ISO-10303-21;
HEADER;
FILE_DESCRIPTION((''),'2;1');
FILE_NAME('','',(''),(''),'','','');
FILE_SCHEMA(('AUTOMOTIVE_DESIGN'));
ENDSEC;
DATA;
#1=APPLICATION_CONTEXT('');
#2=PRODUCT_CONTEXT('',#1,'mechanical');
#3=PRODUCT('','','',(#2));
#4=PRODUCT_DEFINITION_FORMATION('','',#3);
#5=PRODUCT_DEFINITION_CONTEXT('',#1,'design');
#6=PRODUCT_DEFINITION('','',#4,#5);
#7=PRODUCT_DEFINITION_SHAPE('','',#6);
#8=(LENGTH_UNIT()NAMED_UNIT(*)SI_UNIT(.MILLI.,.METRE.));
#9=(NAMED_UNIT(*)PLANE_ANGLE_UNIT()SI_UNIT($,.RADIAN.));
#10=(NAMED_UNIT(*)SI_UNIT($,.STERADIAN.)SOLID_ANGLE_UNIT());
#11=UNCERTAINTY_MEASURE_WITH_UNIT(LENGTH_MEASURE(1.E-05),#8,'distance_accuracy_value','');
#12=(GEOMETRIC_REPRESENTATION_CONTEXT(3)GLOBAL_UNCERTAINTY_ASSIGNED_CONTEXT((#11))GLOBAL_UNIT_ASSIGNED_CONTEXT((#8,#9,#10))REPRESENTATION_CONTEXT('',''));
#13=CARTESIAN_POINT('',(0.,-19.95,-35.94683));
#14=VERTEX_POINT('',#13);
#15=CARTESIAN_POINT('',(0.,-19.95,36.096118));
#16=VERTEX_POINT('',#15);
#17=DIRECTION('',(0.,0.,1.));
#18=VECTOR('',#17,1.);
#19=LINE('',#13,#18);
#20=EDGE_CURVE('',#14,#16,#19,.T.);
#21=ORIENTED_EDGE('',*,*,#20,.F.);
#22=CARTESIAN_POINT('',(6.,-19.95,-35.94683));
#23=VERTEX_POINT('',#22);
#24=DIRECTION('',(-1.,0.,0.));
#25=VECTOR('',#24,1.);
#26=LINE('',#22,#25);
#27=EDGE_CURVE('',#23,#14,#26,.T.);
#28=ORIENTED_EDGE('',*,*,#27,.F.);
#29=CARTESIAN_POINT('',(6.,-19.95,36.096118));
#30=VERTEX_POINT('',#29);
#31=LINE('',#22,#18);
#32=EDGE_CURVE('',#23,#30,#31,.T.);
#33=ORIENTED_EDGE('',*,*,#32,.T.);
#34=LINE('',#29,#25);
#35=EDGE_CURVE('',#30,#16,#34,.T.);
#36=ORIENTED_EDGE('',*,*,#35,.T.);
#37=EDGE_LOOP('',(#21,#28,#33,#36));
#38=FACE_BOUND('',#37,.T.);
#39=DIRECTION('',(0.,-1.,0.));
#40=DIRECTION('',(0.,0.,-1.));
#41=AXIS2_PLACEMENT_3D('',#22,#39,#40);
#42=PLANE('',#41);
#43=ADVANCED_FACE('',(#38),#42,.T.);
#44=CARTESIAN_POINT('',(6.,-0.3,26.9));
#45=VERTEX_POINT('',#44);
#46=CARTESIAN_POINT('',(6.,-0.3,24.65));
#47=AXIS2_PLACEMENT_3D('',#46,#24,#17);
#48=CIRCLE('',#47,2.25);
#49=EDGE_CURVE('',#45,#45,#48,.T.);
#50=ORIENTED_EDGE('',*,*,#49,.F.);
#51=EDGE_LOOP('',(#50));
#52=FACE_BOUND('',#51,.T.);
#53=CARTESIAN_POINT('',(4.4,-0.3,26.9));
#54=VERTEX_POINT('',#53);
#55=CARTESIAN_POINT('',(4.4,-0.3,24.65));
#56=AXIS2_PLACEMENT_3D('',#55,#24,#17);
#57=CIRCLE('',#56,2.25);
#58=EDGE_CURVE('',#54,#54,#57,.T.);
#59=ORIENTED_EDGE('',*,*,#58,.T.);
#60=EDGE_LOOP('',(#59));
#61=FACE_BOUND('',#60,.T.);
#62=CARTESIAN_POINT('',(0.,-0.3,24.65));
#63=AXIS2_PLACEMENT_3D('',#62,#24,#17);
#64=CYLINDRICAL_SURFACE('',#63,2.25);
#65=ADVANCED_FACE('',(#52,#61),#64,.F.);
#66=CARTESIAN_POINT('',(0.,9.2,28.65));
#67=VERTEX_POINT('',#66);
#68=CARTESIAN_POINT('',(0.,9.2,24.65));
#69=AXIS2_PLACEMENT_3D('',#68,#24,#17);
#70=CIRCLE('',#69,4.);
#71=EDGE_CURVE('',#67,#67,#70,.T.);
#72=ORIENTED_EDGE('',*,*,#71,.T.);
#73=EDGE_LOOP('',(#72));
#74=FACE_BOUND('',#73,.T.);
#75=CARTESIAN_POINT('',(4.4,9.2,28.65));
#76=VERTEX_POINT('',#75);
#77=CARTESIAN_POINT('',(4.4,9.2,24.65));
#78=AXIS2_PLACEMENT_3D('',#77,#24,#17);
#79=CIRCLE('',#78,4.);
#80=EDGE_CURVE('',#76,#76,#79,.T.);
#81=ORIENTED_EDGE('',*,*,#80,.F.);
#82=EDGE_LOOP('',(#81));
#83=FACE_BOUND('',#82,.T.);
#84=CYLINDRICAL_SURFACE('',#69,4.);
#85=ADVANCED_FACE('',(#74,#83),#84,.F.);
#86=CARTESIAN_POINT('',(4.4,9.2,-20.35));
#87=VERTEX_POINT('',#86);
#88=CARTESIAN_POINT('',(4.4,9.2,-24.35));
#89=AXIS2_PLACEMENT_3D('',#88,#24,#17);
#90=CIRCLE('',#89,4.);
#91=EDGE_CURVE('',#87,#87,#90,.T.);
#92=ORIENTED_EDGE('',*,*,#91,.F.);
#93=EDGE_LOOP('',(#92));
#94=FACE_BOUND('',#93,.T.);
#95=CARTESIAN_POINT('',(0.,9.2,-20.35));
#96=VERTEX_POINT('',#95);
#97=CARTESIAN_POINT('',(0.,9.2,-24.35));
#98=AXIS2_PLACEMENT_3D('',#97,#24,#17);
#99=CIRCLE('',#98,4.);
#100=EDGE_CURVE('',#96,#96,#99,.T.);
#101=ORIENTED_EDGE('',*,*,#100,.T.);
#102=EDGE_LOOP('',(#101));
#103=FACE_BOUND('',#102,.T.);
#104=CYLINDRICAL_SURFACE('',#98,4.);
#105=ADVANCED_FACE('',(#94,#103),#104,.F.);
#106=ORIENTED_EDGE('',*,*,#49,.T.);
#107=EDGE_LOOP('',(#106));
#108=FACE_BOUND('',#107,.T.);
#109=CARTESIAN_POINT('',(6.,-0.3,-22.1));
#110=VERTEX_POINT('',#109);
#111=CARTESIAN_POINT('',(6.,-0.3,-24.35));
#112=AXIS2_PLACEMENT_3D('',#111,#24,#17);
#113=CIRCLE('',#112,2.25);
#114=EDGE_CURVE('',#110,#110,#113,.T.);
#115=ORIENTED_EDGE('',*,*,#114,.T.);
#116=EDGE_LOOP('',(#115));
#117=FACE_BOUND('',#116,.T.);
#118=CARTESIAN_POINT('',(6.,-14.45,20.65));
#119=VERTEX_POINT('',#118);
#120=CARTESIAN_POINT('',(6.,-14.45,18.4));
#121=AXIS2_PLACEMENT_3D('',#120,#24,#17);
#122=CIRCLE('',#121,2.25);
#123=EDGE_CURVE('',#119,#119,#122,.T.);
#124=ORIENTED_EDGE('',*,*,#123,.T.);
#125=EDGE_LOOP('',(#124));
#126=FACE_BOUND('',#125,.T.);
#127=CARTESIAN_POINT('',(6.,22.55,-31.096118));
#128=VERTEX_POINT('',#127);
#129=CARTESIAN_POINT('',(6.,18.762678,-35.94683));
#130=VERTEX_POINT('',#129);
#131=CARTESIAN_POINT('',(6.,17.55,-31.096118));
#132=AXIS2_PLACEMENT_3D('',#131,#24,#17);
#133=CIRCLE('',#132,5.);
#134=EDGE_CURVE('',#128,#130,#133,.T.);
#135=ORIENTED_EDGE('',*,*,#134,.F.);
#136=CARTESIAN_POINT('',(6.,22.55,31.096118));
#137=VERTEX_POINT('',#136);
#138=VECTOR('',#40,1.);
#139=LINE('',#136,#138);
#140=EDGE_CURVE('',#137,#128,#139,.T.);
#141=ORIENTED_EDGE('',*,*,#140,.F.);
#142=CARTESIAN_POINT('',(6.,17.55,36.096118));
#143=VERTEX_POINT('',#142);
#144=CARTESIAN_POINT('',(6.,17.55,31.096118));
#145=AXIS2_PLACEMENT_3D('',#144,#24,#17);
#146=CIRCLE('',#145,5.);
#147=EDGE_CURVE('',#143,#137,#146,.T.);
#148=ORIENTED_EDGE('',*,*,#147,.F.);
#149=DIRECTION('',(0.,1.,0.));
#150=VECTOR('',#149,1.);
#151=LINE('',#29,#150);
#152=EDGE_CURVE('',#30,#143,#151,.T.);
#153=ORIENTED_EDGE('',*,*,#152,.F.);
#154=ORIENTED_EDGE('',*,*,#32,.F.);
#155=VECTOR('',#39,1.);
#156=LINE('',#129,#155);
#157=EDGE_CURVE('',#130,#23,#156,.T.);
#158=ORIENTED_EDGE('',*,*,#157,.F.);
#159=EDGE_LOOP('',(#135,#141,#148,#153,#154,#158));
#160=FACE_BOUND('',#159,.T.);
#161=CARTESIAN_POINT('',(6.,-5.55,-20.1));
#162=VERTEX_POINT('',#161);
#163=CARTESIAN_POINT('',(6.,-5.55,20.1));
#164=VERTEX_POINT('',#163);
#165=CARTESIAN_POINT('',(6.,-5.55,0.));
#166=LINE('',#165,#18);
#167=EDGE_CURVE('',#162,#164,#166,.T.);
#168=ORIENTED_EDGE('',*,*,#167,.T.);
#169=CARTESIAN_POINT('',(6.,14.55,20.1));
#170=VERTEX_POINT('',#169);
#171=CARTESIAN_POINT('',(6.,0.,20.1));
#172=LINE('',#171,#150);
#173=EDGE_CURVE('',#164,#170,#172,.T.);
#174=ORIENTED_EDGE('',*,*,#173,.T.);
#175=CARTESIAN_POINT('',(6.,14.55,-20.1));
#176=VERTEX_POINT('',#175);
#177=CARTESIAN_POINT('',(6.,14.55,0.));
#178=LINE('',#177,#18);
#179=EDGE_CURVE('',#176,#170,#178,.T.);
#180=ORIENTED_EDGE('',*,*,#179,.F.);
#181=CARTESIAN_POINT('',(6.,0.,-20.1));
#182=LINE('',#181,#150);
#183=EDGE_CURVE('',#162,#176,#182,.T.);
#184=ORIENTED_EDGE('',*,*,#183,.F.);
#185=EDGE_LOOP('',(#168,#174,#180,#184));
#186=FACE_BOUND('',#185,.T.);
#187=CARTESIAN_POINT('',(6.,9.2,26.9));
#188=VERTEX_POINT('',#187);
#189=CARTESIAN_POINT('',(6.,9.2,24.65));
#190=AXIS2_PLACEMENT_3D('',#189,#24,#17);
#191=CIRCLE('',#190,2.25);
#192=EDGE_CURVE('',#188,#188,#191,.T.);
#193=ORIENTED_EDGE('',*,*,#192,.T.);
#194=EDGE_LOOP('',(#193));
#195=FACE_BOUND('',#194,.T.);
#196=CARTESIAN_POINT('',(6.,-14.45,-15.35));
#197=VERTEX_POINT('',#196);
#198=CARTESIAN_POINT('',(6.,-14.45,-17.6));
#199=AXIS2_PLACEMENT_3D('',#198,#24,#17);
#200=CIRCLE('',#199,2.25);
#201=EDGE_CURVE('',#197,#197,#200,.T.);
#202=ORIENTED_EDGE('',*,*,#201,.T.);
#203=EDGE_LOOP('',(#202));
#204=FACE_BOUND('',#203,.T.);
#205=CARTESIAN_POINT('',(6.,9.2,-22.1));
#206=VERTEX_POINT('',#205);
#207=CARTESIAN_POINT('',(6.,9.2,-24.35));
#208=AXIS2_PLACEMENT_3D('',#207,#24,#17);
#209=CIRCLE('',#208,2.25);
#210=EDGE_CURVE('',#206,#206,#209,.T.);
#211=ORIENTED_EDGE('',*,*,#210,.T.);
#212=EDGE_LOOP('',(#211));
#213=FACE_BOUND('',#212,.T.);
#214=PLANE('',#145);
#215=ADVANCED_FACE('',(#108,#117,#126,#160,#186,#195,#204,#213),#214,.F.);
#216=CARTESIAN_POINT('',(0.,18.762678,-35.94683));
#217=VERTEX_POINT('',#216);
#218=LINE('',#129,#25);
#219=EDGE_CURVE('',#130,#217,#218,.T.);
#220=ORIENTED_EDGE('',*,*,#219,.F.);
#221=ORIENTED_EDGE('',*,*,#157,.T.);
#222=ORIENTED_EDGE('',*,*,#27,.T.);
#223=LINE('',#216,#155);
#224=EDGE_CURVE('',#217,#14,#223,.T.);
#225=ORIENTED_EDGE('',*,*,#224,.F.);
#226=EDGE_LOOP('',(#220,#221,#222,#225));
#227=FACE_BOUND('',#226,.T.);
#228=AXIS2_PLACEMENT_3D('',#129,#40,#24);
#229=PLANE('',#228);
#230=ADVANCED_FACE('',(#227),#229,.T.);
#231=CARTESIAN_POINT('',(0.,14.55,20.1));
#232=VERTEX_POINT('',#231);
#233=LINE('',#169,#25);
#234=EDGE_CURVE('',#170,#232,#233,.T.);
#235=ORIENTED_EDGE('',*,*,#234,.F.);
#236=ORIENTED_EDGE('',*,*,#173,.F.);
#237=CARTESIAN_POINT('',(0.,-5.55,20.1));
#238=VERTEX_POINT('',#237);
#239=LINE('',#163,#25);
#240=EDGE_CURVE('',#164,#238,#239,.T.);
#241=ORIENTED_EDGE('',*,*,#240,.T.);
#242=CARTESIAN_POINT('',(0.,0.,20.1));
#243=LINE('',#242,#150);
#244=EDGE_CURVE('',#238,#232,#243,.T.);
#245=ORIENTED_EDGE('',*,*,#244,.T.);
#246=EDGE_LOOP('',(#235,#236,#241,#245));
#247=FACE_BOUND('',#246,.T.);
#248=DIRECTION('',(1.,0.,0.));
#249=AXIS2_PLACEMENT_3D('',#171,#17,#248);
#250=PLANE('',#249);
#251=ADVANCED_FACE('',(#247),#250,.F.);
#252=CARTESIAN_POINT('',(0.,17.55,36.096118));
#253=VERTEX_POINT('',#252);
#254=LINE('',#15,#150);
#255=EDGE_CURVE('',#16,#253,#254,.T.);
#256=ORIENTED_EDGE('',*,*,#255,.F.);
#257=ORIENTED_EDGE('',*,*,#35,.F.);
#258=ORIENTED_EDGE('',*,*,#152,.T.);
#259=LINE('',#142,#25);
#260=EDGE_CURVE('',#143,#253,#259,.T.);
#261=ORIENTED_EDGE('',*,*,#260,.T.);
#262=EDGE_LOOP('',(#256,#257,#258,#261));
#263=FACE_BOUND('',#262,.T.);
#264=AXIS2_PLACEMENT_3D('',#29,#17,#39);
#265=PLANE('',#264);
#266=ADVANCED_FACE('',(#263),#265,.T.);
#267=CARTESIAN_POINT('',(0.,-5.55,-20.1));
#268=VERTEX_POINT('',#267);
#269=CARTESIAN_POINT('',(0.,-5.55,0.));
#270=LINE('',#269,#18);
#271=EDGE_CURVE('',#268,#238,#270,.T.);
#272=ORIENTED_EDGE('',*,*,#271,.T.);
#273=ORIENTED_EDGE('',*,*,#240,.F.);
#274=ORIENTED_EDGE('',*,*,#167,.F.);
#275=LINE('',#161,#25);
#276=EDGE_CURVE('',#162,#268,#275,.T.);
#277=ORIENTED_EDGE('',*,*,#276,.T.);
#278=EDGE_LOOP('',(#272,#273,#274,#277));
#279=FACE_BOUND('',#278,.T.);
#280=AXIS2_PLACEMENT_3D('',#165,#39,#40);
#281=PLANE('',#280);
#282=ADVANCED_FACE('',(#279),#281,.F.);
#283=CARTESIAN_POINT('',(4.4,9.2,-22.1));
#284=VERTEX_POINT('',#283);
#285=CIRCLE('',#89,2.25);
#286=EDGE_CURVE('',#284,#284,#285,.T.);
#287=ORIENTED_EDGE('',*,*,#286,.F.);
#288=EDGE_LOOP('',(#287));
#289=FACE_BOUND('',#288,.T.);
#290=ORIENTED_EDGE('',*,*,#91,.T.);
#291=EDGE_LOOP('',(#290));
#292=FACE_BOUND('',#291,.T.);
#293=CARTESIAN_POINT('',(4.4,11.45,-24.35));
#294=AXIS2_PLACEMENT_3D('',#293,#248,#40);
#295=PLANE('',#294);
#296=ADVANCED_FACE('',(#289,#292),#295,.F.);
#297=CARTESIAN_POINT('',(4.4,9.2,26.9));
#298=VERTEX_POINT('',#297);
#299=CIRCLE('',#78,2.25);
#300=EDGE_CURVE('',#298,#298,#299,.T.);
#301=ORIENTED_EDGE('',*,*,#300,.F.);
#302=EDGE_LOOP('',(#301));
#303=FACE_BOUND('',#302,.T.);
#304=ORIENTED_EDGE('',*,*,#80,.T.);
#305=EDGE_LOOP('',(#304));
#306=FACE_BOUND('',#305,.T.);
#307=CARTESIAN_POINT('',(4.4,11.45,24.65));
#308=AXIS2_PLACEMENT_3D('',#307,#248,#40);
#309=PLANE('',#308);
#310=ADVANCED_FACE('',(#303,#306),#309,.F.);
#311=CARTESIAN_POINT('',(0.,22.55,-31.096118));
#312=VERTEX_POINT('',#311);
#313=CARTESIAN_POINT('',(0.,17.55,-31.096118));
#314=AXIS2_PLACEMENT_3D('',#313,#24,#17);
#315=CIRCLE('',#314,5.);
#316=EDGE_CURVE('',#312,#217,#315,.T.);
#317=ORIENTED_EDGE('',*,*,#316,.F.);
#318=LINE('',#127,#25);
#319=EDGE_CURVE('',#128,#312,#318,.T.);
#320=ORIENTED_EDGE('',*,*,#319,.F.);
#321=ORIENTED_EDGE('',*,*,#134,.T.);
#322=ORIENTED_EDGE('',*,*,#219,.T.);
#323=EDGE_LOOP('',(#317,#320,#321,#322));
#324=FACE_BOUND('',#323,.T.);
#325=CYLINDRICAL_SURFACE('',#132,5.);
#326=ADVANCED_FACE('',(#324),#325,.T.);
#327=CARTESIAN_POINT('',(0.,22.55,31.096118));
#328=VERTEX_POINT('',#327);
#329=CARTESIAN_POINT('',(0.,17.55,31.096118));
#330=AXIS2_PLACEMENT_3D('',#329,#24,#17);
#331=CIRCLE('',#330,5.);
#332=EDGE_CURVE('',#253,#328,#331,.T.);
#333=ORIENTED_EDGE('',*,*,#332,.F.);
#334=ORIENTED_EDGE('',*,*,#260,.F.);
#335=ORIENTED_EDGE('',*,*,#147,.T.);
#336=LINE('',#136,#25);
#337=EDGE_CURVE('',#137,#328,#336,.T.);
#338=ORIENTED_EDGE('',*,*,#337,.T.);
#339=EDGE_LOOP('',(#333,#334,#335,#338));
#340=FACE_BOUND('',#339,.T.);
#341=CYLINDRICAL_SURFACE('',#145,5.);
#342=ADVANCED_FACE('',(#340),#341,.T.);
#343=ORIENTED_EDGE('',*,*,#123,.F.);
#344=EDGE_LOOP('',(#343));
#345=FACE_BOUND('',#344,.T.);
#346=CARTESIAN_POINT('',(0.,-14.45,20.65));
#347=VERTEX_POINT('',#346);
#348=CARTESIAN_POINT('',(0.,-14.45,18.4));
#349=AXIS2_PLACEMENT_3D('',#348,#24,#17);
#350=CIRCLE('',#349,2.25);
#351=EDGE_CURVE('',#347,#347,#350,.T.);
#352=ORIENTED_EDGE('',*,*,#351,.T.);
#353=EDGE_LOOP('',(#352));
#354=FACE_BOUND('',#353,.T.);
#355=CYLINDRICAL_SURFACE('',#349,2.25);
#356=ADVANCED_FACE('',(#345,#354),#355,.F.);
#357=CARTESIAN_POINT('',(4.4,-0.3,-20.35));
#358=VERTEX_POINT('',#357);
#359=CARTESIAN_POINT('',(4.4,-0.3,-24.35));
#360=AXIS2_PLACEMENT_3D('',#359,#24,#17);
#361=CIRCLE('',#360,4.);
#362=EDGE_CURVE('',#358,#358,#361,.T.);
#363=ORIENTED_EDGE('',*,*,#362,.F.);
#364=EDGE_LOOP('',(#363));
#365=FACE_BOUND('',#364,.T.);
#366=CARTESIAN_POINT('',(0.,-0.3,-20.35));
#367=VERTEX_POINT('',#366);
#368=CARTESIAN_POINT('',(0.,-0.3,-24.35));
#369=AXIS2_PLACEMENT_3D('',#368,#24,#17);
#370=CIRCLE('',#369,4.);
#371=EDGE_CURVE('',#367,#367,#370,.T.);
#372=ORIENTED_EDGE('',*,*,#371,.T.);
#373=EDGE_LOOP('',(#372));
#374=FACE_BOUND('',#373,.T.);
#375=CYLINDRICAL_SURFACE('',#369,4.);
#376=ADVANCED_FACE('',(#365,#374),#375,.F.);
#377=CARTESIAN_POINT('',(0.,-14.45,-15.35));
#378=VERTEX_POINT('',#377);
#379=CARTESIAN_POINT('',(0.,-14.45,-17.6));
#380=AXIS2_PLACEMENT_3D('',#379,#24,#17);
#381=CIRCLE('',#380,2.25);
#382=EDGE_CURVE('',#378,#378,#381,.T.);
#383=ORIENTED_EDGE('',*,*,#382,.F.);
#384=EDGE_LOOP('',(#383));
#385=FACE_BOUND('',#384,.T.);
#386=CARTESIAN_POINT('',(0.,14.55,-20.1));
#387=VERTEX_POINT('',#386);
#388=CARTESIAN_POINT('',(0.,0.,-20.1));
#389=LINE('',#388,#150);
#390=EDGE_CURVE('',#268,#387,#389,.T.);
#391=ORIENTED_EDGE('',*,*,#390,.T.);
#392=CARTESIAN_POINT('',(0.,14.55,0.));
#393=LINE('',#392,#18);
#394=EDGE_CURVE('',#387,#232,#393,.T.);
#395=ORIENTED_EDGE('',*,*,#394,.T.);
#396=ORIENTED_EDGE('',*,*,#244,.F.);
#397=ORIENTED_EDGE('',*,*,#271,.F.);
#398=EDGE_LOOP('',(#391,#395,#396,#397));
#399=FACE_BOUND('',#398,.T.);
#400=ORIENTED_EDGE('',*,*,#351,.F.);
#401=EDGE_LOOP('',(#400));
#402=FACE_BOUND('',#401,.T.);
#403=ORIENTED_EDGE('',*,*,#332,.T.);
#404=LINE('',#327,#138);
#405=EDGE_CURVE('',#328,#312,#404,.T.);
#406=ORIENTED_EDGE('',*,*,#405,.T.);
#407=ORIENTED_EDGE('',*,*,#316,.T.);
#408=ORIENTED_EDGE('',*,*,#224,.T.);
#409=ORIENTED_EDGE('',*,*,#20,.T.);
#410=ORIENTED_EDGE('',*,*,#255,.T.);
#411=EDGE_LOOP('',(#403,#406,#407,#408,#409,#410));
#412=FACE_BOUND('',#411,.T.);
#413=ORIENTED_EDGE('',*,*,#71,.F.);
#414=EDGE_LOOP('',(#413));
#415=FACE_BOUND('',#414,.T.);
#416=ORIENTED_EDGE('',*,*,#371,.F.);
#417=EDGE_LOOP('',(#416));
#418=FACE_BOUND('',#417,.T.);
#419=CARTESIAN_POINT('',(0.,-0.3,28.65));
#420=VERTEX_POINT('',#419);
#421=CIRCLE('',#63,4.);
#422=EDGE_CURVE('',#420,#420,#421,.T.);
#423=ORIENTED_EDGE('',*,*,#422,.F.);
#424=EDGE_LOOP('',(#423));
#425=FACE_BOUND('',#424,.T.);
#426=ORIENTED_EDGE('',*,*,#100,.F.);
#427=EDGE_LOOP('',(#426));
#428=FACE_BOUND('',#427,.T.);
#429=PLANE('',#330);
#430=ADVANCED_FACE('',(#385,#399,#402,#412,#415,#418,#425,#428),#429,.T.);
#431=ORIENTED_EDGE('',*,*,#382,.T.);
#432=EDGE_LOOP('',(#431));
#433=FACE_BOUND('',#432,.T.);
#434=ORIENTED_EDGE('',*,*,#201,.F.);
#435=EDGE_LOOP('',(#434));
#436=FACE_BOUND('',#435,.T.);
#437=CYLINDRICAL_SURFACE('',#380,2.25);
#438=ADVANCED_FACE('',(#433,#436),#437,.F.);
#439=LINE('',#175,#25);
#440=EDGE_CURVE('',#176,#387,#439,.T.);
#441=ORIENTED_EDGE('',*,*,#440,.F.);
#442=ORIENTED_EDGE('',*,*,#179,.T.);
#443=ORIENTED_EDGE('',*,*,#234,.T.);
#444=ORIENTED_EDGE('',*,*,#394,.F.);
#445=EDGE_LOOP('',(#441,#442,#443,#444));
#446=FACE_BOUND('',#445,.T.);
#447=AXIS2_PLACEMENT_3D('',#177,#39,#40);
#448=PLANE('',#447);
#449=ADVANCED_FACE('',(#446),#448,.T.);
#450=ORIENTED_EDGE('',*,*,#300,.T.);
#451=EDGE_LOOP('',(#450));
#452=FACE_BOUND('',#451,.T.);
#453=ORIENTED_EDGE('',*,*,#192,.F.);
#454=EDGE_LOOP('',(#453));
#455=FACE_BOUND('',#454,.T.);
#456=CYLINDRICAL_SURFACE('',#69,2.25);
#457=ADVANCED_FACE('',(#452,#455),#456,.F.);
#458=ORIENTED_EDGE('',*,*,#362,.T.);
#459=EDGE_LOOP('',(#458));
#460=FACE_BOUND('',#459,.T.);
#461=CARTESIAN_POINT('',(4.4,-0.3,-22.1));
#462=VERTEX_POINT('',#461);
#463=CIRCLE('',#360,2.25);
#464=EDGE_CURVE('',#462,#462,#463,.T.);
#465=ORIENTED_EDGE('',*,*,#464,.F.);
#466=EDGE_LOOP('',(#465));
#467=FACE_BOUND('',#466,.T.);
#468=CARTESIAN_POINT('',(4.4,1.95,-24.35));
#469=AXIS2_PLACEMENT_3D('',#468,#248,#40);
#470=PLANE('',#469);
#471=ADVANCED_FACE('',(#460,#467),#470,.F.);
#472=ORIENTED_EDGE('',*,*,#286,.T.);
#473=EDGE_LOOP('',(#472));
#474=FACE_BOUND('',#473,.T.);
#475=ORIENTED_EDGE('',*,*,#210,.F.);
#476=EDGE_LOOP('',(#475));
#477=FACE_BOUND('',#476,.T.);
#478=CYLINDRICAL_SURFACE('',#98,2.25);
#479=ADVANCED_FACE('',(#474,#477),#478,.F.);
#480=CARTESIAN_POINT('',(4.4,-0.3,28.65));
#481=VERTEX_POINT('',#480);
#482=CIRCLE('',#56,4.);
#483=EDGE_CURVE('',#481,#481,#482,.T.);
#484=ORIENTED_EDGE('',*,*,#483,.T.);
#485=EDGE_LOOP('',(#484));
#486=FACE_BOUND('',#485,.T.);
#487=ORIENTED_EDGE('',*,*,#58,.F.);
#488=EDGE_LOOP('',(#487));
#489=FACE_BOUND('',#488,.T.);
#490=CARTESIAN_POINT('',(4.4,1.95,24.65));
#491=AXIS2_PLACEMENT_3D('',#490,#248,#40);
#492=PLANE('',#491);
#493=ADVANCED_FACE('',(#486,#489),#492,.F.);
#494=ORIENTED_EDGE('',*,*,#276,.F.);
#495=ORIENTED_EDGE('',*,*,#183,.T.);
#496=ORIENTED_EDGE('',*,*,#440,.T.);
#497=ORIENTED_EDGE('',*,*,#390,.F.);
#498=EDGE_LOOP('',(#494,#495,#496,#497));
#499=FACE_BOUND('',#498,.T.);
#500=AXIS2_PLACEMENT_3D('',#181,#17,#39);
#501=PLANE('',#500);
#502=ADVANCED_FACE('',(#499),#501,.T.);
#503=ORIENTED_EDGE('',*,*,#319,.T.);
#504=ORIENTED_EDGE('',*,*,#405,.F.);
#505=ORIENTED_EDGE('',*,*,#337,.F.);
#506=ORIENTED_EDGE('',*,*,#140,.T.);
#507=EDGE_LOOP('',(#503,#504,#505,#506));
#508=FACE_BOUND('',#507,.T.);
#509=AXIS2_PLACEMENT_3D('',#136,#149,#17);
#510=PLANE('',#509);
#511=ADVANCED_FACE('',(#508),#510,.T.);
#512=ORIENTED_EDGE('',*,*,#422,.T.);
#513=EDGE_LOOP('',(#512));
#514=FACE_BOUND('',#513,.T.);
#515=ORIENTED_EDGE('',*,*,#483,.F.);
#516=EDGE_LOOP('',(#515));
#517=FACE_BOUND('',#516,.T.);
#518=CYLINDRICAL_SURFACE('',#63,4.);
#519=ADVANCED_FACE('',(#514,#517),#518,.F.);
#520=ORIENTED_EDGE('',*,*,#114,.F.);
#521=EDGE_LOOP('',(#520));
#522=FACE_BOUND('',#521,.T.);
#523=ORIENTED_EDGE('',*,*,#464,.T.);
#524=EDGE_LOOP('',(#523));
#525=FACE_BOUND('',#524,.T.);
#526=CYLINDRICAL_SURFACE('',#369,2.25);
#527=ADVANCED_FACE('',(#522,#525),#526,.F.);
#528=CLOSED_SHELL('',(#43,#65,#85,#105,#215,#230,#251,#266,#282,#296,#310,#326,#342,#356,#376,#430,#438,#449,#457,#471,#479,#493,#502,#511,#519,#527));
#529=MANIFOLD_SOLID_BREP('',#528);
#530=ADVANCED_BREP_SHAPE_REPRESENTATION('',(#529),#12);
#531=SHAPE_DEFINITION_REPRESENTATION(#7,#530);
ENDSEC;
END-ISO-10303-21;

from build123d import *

# Parameters (mm, degrees)
SKETCH1_W                                           = 40.2
SKETCH1_H                                           = 20.1
BOSS_EXTRUDE1_DEPTH                                 = 6
CBORE_FOR_M4_HEX_SOCKET_HEAD_CAP_SCREW1_D           = 4.5
CBORE_FOR_M4_HEX_SOCKET_HEAD_CAP_SCREW1_CBORE_D     = 8
CBORE_FOR_M4_HEX_SOCKET_HEAD_CAP_SCREW1_CBORE_DEPTH = 4.4
M4_CLEARANCE_HOLE1_D                                = 4.5


with BuildPart() as part:
    # Sketch1 → Boss-Extrude1 (new body)
    with BuildSketch(Plane(origin=(0, 0, 0), x_dir=(0, 0, -1), z_dir=(1, 0, 0))):
        with BuildLine():
            Line((-36.096117968, -19.95), (-36.096117968, 17.55))
            ThreePointArc((-36.096117968, 17.55), (-34.631651874, 21.085533906), (-31.096117968, 22.55))
            Line((-31.096117968, 22.55), (31.096117968, 22.55))
            ThreePointArc((31.096117968, 22.55), (34.173179015, 21.49102719), (35.946830469, 18.762678125))
            Line((35.946830469, 18.762678125), (35.946830469, -19.95))
            Line((35.946830469, -19.95), (-36.096117968, -19.95))
        make_face()
        with Locations((0, 4.5)):
            Rectangle(SKETCH1_W, SKETCH1_H, mode=Mode.SUBTRACT)
    extrude(amount=BOSS_EXTRUDE1_DEPTH)

    # CBORE for M4 Hex Socket Head Cap Screw1 (through all)
    with Locations(Plane(origin=(0, -170.712474926, -177.829982134), x_dir=(0, 0, 1), z_dir=(-1, 0, 0))):
        with Locations((202.479982134, 170.412474926), (202.479982134, 179.912474926), (153.479982134, 170.412474926), (153.479982134, 179.912474926)):
            CounterBoreHole(CBORE_FOR_M4_HEX_SOCKET_HEAD_CAP_SCREW1_D / 2, CBORE_FOR_M4_HEX_SOCKET_HEAD_CAP_SCREW1_CBORE_D / 2, CBORE_FOR_M4_HEX_SOCKET_HEAD_CAP_SCREW1_CBORE_DEPTH)

    # M4 Clearance Hole1 (through all)
    with Locations(Plane(origin=(0, -170.712474926, -177.829982134), x_dir=(0, 0, 1), z_dir=(-1, 0, 0))):
        with Locations((160.229982134, 156.262474926), (196.229982134, 156.262474926)):
            Hole(M4_CLEARANCE_HOLE1_D / 2)


solid = part.part
